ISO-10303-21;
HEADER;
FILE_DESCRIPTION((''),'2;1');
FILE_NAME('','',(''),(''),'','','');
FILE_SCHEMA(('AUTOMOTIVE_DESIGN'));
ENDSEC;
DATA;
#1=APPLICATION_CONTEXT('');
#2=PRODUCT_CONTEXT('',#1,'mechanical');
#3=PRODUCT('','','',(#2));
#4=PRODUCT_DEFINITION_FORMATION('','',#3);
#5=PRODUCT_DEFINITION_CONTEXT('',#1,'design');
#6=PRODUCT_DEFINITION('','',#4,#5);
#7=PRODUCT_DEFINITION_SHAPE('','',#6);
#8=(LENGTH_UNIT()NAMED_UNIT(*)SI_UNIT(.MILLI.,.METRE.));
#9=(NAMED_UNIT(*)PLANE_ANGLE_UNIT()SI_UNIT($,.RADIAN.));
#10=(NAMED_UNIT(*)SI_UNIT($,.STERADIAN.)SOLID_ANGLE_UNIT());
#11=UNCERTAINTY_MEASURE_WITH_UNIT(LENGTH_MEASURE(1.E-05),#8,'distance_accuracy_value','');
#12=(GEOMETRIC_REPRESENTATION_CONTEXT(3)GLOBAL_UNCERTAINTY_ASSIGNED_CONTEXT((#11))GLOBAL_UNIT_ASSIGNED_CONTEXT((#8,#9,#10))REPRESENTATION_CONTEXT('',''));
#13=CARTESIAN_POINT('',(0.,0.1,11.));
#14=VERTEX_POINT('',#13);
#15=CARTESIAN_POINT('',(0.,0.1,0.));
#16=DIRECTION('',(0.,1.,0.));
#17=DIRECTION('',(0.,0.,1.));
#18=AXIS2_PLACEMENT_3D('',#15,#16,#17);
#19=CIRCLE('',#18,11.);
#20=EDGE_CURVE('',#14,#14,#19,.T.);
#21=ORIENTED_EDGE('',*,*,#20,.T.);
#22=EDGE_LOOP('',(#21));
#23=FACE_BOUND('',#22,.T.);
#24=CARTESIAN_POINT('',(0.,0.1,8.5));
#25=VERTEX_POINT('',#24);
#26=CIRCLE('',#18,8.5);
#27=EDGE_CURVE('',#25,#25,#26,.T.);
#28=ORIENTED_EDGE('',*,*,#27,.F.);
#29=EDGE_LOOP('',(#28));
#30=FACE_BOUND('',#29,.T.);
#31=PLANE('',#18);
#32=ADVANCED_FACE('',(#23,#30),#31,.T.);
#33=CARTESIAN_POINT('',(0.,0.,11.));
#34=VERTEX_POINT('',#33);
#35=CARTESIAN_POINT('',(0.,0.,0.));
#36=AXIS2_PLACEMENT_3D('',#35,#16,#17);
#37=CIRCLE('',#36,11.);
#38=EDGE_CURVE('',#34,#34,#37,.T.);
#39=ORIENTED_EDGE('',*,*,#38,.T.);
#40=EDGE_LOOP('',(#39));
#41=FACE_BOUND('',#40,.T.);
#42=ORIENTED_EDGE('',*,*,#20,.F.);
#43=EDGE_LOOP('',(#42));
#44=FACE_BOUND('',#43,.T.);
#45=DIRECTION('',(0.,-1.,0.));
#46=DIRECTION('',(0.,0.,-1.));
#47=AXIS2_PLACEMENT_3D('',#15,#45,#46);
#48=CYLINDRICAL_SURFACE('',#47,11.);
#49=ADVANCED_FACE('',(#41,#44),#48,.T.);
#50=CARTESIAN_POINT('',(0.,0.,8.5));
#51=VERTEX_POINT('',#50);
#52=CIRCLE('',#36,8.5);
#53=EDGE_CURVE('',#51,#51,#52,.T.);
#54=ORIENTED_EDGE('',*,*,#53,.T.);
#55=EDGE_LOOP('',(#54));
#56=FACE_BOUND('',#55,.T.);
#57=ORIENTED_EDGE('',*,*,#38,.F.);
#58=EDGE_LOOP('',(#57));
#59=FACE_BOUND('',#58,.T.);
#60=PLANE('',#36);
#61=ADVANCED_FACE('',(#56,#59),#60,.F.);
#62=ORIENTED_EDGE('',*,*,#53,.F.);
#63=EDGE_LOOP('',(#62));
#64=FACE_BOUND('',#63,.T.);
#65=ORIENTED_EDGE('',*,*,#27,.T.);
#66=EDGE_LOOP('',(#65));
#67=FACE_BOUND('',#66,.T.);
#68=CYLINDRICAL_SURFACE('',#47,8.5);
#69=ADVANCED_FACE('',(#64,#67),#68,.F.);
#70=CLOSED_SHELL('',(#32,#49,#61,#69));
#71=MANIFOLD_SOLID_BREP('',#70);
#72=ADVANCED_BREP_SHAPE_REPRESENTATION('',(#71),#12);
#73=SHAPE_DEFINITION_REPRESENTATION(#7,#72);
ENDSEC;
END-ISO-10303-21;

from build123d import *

# Parameters (mm, degrees)
SKETCH_1_R      = 11
SKETCH_1_R_2    = 8.5
EXTRUDE_1_DEPTH = 0.1


with BuildPart() as part:
    # 草图1 → 凸台-拉伸1 (new body)
    with BuildSketch(Plane(origin=(0, 0, 0), x_dir=(1, 0, 0), z_dir=(0, 1, 0))):
        with Locations(Location((0, 0, 0), (0, 0, 270))):
            Circle(SKETCH_1_R)
        with Locations(Location((0, 0, 0), (0, 0, 270))):
            Circle(SKETCH_1_R_2, mode=Mode.SUBTRACT)
    extrude(amount=EXTRUDE_1_DEPTH)


solid = part.part
